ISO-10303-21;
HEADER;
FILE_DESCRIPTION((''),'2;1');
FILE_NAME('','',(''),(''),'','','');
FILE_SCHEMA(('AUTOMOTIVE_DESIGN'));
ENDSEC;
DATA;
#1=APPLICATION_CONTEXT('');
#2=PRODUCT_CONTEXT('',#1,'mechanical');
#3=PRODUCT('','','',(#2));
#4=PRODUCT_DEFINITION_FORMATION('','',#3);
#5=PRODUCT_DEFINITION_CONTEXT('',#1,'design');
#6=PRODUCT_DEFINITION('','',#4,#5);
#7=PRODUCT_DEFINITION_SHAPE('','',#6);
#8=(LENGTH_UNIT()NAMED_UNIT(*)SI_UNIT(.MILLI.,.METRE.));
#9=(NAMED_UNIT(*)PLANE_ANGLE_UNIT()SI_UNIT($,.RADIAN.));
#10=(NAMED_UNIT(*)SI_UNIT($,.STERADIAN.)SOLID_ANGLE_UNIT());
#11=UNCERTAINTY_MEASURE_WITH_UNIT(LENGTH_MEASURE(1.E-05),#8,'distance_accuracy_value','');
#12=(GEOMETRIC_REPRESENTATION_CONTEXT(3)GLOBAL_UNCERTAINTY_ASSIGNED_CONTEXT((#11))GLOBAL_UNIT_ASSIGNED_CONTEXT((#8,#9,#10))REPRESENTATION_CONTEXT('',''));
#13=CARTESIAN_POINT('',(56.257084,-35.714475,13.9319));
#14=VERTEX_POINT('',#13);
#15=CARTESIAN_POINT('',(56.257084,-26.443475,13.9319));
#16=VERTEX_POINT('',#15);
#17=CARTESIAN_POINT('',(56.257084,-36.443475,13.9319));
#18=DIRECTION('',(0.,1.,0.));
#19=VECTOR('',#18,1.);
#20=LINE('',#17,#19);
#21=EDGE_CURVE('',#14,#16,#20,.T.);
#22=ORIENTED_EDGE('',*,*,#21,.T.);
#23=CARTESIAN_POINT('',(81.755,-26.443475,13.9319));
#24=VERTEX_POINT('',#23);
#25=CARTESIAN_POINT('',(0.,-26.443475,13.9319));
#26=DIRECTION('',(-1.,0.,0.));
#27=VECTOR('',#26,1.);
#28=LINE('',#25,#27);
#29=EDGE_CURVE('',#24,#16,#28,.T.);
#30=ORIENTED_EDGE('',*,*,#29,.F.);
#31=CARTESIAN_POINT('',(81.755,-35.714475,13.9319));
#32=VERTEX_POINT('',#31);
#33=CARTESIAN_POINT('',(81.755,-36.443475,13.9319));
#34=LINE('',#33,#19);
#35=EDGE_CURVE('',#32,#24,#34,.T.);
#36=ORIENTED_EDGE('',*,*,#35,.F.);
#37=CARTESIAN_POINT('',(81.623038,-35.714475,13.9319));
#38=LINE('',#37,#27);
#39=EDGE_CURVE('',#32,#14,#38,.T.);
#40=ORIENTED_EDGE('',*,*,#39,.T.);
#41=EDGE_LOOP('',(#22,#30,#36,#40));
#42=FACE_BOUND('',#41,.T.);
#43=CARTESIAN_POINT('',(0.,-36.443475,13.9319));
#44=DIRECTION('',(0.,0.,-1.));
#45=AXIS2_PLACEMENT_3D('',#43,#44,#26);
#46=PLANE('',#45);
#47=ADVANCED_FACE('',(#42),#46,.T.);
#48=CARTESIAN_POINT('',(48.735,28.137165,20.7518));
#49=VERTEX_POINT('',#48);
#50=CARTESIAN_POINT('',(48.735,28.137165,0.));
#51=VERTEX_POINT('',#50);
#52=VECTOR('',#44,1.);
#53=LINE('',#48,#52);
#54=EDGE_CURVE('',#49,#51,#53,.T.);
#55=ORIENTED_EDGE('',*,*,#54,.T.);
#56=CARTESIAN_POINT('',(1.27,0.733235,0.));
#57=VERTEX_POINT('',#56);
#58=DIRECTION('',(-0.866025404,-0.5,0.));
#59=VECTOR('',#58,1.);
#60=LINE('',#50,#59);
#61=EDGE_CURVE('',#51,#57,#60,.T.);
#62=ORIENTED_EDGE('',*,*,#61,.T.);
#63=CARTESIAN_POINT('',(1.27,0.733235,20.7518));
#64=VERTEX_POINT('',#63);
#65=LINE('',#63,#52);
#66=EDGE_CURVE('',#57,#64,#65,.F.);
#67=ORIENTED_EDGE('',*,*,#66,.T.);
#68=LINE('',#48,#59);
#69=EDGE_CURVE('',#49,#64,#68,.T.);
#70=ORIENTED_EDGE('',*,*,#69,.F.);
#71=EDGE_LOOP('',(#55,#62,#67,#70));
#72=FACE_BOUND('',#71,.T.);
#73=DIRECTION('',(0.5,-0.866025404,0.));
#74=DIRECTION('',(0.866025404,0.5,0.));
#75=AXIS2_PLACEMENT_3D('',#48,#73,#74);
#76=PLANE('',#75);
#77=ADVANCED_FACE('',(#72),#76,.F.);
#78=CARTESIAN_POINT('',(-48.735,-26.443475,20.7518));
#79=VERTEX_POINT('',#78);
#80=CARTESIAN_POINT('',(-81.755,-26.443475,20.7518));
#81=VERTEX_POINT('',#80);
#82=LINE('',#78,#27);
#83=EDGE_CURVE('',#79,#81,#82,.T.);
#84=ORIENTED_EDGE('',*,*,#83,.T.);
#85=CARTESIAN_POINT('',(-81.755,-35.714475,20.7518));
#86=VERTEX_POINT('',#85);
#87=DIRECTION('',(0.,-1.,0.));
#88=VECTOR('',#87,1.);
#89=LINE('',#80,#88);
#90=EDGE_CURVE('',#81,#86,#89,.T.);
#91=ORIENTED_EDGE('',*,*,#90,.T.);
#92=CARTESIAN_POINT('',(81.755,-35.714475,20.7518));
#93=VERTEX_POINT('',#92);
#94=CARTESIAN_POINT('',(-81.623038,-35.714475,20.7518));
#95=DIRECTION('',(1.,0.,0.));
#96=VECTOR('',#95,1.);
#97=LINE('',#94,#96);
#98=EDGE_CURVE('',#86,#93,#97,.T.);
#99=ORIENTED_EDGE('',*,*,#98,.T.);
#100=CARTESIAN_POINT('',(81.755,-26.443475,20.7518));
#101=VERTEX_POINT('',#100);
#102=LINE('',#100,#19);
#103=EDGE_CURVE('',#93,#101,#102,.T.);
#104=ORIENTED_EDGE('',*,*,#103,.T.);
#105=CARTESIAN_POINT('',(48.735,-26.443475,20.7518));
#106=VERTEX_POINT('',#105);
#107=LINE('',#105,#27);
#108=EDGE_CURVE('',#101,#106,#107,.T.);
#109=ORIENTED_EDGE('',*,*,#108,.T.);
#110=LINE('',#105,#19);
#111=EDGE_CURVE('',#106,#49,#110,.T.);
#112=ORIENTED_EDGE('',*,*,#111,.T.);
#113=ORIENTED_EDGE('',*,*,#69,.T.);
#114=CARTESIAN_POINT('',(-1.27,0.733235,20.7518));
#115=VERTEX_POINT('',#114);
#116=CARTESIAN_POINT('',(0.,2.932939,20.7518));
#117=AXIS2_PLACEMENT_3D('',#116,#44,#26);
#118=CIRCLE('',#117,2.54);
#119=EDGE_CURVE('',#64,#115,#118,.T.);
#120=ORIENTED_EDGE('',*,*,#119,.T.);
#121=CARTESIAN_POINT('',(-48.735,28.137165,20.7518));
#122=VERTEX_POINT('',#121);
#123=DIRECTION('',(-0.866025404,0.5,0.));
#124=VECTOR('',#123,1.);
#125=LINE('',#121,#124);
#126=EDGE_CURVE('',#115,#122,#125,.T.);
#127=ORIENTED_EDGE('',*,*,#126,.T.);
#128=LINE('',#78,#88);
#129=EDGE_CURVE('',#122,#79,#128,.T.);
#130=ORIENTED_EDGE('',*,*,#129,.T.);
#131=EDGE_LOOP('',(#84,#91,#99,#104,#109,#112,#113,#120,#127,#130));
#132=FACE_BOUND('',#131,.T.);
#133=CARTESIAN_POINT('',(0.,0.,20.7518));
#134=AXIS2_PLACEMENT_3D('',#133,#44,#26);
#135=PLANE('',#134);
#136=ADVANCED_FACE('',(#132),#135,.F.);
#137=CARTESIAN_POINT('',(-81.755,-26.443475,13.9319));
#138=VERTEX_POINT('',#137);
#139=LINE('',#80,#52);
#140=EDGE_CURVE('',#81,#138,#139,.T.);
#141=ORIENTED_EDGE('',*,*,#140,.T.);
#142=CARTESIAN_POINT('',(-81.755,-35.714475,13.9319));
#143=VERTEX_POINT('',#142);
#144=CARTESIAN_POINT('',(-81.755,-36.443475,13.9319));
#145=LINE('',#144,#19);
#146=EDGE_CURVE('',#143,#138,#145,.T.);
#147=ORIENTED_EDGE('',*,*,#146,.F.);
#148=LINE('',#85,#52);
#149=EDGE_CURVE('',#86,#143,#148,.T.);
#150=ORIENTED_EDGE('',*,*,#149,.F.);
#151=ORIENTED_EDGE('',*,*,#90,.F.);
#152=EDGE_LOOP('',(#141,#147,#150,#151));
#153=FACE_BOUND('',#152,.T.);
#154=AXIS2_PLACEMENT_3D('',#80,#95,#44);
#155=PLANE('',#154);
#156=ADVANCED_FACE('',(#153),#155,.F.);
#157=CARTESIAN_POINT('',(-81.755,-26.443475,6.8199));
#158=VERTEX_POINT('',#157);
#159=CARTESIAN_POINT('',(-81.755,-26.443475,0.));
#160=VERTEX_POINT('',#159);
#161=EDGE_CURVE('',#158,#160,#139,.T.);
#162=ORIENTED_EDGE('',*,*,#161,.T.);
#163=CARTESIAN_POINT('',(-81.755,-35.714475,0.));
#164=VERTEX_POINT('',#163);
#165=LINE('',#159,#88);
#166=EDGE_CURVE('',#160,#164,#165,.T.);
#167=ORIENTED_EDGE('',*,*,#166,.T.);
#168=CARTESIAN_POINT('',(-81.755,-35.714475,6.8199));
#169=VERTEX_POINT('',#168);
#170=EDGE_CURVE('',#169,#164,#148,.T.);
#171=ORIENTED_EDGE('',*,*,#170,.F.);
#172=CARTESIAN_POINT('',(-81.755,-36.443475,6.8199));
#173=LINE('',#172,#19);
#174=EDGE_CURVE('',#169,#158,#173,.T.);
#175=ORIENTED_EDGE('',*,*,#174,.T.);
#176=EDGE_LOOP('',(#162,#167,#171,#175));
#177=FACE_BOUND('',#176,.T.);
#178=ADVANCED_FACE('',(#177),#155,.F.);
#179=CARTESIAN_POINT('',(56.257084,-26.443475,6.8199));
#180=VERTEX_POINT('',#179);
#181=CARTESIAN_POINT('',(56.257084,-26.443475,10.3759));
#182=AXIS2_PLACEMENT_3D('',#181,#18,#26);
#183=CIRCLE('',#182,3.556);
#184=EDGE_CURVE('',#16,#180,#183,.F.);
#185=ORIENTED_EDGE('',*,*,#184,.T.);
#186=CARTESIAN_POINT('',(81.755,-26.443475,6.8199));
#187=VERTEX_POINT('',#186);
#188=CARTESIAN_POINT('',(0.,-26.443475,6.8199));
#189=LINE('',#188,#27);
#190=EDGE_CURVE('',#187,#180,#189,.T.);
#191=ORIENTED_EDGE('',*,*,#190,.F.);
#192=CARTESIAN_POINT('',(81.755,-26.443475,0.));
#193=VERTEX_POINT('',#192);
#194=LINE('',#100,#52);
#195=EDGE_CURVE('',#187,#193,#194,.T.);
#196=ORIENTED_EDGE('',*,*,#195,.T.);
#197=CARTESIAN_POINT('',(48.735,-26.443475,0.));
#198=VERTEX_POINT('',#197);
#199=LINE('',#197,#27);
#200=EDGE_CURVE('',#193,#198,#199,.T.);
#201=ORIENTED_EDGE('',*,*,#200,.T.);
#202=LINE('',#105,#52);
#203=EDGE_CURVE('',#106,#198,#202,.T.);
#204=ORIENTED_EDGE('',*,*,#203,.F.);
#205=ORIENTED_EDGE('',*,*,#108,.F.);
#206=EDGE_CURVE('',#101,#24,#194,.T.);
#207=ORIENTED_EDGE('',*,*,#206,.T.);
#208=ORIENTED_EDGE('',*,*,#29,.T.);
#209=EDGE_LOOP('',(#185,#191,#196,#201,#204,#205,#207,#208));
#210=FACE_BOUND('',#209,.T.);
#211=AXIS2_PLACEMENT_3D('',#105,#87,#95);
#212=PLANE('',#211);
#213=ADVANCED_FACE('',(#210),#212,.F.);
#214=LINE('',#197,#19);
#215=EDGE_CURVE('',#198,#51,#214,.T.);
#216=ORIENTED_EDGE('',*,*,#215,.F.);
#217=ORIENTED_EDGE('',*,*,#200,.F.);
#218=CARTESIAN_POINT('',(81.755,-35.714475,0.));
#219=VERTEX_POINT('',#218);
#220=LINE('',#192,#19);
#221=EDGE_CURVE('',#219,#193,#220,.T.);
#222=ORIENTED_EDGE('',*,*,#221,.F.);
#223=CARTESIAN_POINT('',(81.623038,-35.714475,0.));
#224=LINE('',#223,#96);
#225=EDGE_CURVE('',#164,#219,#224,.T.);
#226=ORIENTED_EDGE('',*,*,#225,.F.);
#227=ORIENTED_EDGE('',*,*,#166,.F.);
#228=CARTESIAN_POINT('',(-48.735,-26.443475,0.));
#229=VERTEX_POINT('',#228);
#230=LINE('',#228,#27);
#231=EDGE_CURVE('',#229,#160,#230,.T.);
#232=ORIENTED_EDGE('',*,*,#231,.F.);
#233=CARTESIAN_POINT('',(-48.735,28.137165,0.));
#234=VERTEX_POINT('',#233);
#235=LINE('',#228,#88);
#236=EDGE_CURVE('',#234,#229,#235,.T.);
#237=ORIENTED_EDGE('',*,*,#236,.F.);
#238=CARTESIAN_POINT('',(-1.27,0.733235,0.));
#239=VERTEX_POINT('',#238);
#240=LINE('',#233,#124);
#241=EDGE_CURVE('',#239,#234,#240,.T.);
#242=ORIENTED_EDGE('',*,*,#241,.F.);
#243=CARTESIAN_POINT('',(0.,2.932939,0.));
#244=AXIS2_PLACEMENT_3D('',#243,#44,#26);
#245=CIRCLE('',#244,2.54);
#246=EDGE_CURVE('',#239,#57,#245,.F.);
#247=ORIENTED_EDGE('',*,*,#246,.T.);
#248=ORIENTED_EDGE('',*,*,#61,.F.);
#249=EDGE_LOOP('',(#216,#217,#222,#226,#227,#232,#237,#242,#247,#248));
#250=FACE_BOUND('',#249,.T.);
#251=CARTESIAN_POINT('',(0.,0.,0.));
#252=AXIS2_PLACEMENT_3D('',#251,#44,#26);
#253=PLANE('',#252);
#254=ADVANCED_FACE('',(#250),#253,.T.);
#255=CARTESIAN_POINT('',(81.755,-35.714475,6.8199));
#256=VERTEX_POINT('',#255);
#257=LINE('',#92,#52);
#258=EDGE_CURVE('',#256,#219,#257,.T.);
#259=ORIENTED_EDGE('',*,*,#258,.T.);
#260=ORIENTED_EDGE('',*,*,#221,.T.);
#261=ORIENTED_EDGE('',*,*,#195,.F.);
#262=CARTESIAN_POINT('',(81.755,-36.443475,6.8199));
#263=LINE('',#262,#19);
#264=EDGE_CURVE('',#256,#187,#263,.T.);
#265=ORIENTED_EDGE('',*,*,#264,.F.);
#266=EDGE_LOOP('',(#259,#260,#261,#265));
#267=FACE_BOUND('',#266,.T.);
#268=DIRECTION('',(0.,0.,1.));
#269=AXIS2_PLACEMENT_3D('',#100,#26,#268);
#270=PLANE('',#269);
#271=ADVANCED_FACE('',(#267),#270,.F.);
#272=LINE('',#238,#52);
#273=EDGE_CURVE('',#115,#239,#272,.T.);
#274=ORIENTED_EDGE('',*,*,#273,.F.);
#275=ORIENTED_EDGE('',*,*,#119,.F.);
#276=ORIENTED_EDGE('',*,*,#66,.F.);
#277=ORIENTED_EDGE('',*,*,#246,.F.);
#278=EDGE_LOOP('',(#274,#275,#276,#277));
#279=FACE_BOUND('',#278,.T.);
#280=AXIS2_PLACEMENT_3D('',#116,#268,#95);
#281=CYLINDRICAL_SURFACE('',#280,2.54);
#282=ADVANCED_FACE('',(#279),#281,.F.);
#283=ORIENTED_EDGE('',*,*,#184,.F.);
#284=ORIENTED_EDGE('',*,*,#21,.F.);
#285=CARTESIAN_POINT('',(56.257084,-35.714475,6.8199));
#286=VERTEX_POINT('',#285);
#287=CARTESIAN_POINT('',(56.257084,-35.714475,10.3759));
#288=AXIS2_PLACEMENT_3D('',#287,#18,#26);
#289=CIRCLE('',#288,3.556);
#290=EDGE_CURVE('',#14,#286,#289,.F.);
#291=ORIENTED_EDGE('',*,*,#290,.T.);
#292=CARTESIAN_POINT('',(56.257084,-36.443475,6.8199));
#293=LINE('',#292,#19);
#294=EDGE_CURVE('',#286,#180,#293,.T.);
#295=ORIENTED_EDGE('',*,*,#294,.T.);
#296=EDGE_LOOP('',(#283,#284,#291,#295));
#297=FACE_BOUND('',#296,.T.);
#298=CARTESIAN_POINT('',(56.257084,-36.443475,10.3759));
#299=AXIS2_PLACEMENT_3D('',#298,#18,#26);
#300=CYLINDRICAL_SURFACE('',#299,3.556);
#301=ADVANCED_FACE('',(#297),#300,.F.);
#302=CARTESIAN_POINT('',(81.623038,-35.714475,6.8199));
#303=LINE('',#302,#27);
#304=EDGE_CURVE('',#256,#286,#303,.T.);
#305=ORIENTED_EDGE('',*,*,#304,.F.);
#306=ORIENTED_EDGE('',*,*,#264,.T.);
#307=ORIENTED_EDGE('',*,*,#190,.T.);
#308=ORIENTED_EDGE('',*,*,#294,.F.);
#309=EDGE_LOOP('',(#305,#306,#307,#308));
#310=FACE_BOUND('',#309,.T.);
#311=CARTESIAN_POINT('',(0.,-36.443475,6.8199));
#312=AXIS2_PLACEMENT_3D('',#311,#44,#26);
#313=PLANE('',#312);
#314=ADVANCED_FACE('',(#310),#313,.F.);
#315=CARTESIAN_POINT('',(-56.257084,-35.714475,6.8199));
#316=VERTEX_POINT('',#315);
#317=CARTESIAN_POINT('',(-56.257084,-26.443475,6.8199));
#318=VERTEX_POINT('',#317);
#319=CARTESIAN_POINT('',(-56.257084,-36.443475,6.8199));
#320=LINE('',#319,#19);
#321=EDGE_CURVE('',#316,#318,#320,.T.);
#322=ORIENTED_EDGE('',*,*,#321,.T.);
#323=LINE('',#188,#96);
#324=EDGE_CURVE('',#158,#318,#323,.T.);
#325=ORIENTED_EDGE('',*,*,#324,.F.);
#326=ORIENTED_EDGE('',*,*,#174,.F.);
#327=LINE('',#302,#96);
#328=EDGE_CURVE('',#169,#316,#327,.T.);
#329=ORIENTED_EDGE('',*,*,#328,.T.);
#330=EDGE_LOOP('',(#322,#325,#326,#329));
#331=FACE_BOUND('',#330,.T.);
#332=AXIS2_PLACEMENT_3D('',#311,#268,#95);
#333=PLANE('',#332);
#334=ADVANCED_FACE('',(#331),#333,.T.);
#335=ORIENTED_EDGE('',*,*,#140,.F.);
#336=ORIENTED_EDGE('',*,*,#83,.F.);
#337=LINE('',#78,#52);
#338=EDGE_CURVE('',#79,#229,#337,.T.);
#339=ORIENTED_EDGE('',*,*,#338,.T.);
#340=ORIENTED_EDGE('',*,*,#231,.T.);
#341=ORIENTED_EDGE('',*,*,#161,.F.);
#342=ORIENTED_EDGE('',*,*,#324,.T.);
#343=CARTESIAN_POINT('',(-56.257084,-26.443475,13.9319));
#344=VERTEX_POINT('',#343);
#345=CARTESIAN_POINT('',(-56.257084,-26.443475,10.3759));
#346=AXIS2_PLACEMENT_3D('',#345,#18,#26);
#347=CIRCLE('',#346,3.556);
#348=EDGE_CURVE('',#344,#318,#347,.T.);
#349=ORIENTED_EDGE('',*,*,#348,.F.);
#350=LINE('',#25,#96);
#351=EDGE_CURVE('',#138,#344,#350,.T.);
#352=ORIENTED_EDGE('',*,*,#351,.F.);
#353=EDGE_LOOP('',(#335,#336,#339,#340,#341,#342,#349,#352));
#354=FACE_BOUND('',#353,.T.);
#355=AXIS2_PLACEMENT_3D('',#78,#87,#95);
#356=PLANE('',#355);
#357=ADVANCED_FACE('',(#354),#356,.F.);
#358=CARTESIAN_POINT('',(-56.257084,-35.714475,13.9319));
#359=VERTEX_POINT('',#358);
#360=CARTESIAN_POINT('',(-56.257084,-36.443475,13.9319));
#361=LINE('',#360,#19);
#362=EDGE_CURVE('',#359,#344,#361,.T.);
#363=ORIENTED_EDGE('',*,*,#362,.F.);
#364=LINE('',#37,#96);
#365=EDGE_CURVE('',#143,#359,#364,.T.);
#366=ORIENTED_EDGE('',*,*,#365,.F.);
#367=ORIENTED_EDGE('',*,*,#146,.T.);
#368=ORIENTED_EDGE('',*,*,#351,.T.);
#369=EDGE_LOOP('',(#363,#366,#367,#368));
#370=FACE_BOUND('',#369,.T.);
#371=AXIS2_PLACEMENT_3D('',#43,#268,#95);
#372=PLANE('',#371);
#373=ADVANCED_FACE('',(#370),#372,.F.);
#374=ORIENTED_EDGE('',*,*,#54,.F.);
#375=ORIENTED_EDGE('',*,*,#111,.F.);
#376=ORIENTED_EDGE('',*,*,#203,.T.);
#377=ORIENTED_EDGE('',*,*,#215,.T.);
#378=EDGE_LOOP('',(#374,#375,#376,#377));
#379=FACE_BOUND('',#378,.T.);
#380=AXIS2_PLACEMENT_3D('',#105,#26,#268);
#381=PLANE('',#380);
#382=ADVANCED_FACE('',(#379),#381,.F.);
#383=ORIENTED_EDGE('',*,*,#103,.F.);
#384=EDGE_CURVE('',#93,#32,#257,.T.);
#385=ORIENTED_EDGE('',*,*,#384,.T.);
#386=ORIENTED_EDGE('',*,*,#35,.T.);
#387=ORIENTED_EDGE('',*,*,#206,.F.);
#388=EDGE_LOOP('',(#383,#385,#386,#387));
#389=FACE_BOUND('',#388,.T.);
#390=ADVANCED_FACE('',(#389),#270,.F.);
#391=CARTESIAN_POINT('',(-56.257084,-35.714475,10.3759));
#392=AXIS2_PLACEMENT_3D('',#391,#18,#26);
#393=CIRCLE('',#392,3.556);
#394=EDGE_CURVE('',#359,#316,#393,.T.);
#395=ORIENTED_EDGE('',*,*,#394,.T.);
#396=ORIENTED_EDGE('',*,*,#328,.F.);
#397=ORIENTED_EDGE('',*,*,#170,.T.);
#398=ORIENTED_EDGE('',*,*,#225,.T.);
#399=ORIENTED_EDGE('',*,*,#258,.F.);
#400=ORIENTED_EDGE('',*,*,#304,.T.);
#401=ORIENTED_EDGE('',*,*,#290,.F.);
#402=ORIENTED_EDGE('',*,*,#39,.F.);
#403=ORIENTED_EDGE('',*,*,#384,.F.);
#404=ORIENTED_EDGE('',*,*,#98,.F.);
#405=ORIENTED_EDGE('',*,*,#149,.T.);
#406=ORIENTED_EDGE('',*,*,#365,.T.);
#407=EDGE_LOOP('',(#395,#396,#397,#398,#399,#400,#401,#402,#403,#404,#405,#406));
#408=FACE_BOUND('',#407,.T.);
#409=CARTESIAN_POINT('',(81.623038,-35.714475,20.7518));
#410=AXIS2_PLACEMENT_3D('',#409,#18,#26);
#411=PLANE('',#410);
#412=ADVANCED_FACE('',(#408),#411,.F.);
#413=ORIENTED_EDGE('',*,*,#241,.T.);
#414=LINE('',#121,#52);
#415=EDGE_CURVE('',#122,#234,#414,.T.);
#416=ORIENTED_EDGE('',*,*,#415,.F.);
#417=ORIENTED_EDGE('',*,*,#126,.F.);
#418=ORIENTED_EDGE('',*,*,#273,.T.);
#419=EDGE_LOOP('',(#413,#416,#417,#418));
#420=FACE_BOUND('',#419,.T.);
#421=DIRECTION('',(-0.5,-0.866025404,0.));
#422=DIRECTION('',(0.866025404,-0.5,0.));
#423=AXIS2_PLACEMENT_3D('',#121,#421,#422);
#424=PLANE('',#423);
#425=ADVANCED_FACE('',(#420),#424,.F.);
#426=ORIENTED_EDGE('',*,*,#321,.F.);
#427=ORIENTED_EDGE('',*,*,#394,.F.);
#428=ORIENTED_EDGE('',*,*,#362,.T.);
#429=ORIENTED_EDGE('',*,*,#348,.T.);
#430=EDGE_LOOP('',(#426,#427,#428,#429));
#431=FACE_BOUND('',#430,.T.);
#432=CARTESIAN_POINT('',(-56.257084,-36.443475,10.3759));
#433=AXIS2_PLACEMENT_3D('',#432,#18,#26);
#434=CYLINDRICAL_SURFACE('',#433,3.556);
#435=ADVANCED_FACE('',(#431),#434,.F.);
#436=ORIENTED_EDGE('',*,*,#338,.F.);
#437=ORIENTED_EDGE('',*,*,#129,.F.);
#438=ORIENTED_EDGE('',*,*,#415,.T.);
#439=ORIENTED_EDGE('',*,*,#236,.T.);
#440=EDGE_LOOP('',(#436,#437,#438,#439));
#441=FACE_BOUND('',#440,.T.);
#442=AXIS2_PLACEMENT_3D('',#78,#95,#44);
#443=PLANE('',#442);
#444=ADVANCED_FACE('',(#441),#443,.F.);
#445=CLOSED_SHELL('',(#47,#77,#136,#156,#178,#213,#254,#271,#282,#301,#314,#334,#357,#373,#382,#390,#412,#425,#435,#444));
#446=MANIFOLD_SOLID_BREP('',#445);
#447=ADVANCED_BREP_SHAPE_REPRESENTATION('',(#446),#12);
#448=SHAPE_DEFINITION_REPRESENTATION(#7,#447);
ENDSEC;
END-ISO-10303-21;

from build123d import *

# Parameters (mm, degrees)
BOSS_EXTRUDE1_DEPTH = 20.7518
CUT_EXTRUDE1_DEPTH  = 10
FILLET1_R           = 2.54


with BuildPart() as part:
    # Sketch1 → Boss-Extrude1 (new body)
    with BuildSketch(Plane.XY):
        Polygon((-48.735, 28.137165369), (0, 0), (48.735, 28.137165369), (48.735, -26.443474646), (81.755, -26.443474646), (81.755, -35.714474646), (81.623037502, -35.714474646), (-81.623037502, -35.714474646), (-81.755, -35.714474646), (-81.755, -26.443474646), (-48.735, -26.443474646), align=None)
    extrude(amount=BOSS_EXTRUDE1_DEPTH)

    # Sketch2 → Cut-Extrude1 (cut)
    with BuildSketch(Plane(origin=(0, -26.443474646, 0), x_dir=(1, 0, 0), z_dir=(0, 1, 0))):
        with BuildLine():
            Line((-56.257083812, -6.8199), (-81.755, -6.8199))
            Line((-81.755, -6.8199), (-81.755, -13.9319))
            Line((-81.755, -13.9319), (-56.257083812, -13.9319))
            ThreePointArc((-56.257083812, -13.9319), (-52.701083812, -10.3759), (-56.257083812, -6.8199))
        make_face()
        with BuildLine():
            Line((81.755, -13.9319), (81.755, -6.8199))
            Line((81.755, -6.8199), (56.257083812, -6.8199))
            ThreePointArc((56.257083812, -6.8199), (52.701083812, -10.3759), (56.257083812, -13.9319))
            Line((56.257083812, -13.9319), (81.755, -13.9319))
        make_face()
    extrude(amount=-CUT_EXTRUDE1_DEPTH, mode=Mode.SUBTRACT)

    # Fillet1
    fillet1_edges = [part.edges().sort_by_distance(p)[0] for p in [
        (0, 0, 10.3759),
    ]]
    fillet(fillet1_edges, radius=FILLET1_R)


solid = part.part
